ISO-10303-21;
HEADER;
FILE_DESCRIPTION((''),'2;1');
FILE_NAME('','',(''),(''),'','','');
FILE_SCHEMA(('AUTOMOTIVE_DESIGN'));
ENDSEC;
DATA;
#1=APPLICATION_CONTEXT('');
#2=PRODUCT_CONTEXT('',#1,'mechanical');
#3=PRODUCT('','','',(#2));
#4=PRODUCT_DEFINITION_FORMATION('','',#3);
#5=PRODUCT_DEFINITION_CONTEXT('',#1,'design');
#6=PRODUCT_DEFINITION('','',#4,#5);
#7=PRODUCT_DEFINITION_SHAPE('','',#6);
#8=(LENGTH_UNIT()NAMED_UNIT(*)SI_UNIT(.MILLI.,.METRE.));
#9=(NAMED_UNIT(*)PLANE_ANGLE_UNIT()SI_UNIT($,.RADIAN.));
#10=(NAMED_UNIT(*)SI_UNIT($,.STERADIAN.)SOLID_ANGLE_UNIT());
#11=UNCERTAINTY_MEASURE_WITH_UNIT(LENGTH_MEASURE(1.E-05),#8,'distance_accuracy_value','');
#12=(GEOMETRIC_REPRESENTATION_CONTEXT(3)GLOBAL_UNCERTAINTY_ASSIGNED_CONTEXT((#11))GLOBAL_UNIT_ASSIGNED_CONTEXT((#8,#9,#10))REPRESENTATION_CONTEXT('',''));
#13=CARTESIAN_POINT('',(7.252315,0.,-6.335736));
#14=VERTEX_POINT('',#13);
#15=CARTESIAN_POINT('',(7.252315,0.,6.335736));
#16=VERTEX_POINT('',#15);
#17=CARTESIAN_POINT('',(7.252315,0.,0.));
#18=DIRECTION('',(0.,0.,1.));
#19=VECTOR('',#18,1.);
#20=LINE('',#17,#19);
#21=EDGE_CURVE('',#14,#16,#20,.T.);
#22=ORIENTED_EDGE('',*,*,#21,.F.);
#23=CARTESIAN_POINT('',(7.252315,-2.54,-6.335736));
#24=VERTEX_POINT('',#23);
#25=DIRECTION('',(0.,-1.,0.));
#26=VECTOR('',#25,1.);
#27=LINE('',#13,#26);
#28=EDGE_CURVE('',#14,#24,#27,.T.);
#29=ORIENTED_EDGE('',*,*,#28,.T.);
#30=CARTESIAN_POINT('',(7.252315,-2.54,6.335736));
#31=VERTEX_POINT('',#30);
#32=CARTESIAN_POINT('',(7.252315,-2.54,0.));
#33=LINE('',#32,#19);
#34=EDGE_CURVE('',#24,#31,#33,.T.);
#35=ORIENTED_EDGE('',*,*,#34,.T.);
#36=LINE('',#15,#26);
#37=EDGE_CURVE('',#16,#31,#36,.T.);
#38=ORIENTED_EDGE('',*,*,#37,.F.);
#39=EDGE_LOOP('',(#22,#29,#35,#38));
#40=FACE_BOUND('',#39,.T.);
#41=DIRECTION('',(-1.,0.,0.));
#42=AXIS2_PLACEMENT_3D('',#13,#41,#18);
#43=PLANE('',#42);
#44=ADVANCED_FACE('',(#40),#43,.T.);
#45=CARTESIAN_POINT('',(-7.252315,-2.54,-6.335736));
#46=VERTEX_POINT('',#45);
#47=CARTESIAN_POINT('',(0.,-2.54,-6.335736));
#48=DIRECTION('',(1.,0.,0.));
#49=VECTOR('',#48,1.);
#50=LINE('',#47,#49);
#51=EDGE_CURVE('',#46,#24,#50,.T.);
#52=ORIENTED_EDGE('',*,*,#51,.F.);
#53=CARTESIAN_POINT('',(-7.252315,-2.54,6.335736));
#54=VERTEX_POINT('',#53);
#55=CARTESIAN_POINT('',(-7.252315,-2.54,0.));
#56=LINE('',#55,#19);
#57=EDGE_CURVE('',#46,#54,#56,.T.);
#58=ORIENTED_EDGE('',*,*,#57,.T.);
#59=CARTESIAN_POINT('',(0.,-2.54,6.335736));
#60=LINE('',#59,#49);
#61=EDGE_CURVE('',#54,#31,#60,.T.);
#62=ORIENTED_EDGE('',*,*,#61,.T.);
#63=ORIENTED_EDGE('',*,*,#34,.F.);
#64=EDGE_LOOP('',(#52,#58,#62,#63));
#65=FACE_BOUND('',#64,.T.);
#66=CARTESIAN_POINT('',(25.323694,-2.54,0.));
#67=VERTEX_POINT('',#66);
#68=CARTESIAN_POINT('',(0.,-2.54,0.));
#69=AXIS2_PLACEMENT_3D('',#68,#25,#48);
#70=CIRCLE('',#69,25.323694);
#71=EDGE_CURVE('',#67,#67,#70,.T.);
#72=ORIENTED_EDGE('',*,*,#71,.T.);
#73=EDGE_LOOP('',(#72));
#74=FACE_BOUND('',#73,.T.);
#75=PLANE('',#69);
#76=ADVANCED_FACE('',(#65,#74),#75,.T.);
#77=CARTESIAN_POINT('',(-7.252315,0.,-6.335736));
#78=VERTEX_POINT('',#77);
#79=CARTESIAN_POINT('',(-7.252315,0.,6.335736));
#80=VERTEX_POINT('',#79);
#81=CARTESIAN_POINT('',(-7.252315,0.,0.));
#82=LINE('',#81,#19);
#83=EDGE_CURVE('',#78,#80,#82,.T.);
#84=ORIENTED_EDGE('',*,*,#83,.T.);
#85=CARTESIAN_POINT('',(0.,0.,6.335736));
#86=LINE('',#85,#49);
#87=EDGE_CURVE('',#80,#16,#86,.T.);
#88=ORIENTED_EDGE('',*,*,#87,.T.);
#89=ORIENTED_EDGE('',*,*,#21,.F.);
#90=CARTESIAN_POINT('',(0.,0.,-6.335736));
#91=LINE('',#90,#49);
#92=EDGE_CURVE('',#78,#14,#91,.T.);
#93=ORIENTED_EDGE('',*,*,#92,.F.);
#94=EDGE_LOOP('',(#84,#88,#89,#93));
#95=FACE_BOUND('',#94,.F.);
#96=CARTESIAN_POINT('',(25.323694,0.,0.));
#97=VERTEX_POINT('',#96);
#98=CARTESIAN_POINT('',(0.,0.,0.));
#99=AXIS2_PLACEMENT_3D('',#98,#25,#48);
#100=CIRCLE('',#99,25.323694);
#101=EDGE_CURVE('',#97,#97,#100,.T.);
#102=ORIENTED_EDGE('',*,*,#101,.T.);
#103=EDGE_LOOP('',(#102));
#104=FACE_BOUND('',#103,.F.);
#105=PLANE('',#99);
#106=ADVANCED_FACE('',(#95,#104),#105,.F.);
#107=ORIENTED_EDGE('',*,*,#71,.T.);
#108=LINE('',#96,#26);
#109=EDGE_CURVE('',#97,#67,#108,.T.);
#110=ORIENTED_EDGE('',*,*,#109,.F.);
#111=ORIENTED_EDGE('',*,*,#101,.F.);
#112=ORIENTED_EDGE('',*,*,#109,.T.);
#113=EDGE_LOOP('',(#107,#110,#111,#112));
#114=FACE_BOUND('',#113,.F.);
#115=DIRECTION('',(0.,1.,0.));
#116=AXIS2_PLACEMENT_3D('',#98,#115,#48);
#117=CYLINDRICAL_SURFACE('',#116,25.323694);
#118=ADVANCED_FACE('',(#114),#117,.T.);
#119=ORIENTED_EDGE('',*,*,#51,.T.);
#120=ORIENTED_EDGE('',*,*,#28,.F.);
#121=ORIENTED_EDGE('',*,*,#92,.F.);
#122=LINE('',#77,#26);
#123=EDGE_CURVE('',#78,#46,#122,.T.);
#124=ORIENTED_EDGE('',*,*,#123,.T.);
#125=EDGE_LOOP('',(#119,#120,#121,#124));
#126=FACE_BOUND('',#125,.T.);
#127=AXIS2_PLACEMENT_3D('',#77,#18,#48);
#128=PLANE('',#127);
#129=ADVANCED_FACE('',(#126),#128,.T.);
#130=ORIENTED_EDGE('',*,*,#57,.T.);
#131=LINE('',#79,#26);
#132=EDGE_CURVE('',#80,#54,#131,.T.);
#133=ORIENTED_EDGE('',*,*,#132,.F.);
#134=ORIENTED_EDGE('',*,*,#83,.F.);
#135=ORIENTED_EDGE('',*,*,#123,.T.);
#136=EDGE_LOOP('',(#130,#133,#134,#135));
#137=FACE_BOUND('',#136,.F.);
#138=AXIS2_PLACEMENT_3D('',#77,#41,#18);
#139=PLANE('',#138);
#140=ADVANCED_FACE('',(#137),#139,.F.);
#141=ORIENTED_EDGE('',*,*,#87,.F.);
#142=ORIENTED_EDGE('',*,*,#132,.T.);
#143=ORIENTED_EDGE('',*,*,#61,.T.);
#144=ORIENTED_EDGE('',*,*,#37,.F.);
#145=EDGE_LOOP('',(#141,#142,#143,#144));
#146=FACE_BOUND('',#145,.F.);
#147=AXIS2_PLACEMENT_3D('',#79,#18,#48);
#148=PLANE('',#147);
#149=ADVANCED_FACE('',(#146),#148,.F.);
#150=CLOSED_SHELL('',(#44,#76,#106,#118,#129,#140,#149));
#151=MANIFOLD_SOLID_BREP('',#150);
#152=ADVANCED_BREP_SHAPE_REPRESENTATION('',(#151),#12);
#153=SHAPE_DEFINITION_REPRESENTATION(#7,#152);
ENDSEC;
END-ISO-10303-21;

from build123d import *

# Parameters (mm, degrees)
F0_R     = 25.323694
F0_W     = 14.50463
F0_H     = 12.671472
F1_DEPTH = 2.54


with BuildPart() as f1:
    # F0 (on Front) → F1 (new body)
    with BuildSketch(Plane.XZ):
        Circle(F0_R)
        Rectangle(F0_W, F0_H, mode=Mode.SUBTRACT)
    extrude(amount=F1_DEPTH)


solid = f1.part
